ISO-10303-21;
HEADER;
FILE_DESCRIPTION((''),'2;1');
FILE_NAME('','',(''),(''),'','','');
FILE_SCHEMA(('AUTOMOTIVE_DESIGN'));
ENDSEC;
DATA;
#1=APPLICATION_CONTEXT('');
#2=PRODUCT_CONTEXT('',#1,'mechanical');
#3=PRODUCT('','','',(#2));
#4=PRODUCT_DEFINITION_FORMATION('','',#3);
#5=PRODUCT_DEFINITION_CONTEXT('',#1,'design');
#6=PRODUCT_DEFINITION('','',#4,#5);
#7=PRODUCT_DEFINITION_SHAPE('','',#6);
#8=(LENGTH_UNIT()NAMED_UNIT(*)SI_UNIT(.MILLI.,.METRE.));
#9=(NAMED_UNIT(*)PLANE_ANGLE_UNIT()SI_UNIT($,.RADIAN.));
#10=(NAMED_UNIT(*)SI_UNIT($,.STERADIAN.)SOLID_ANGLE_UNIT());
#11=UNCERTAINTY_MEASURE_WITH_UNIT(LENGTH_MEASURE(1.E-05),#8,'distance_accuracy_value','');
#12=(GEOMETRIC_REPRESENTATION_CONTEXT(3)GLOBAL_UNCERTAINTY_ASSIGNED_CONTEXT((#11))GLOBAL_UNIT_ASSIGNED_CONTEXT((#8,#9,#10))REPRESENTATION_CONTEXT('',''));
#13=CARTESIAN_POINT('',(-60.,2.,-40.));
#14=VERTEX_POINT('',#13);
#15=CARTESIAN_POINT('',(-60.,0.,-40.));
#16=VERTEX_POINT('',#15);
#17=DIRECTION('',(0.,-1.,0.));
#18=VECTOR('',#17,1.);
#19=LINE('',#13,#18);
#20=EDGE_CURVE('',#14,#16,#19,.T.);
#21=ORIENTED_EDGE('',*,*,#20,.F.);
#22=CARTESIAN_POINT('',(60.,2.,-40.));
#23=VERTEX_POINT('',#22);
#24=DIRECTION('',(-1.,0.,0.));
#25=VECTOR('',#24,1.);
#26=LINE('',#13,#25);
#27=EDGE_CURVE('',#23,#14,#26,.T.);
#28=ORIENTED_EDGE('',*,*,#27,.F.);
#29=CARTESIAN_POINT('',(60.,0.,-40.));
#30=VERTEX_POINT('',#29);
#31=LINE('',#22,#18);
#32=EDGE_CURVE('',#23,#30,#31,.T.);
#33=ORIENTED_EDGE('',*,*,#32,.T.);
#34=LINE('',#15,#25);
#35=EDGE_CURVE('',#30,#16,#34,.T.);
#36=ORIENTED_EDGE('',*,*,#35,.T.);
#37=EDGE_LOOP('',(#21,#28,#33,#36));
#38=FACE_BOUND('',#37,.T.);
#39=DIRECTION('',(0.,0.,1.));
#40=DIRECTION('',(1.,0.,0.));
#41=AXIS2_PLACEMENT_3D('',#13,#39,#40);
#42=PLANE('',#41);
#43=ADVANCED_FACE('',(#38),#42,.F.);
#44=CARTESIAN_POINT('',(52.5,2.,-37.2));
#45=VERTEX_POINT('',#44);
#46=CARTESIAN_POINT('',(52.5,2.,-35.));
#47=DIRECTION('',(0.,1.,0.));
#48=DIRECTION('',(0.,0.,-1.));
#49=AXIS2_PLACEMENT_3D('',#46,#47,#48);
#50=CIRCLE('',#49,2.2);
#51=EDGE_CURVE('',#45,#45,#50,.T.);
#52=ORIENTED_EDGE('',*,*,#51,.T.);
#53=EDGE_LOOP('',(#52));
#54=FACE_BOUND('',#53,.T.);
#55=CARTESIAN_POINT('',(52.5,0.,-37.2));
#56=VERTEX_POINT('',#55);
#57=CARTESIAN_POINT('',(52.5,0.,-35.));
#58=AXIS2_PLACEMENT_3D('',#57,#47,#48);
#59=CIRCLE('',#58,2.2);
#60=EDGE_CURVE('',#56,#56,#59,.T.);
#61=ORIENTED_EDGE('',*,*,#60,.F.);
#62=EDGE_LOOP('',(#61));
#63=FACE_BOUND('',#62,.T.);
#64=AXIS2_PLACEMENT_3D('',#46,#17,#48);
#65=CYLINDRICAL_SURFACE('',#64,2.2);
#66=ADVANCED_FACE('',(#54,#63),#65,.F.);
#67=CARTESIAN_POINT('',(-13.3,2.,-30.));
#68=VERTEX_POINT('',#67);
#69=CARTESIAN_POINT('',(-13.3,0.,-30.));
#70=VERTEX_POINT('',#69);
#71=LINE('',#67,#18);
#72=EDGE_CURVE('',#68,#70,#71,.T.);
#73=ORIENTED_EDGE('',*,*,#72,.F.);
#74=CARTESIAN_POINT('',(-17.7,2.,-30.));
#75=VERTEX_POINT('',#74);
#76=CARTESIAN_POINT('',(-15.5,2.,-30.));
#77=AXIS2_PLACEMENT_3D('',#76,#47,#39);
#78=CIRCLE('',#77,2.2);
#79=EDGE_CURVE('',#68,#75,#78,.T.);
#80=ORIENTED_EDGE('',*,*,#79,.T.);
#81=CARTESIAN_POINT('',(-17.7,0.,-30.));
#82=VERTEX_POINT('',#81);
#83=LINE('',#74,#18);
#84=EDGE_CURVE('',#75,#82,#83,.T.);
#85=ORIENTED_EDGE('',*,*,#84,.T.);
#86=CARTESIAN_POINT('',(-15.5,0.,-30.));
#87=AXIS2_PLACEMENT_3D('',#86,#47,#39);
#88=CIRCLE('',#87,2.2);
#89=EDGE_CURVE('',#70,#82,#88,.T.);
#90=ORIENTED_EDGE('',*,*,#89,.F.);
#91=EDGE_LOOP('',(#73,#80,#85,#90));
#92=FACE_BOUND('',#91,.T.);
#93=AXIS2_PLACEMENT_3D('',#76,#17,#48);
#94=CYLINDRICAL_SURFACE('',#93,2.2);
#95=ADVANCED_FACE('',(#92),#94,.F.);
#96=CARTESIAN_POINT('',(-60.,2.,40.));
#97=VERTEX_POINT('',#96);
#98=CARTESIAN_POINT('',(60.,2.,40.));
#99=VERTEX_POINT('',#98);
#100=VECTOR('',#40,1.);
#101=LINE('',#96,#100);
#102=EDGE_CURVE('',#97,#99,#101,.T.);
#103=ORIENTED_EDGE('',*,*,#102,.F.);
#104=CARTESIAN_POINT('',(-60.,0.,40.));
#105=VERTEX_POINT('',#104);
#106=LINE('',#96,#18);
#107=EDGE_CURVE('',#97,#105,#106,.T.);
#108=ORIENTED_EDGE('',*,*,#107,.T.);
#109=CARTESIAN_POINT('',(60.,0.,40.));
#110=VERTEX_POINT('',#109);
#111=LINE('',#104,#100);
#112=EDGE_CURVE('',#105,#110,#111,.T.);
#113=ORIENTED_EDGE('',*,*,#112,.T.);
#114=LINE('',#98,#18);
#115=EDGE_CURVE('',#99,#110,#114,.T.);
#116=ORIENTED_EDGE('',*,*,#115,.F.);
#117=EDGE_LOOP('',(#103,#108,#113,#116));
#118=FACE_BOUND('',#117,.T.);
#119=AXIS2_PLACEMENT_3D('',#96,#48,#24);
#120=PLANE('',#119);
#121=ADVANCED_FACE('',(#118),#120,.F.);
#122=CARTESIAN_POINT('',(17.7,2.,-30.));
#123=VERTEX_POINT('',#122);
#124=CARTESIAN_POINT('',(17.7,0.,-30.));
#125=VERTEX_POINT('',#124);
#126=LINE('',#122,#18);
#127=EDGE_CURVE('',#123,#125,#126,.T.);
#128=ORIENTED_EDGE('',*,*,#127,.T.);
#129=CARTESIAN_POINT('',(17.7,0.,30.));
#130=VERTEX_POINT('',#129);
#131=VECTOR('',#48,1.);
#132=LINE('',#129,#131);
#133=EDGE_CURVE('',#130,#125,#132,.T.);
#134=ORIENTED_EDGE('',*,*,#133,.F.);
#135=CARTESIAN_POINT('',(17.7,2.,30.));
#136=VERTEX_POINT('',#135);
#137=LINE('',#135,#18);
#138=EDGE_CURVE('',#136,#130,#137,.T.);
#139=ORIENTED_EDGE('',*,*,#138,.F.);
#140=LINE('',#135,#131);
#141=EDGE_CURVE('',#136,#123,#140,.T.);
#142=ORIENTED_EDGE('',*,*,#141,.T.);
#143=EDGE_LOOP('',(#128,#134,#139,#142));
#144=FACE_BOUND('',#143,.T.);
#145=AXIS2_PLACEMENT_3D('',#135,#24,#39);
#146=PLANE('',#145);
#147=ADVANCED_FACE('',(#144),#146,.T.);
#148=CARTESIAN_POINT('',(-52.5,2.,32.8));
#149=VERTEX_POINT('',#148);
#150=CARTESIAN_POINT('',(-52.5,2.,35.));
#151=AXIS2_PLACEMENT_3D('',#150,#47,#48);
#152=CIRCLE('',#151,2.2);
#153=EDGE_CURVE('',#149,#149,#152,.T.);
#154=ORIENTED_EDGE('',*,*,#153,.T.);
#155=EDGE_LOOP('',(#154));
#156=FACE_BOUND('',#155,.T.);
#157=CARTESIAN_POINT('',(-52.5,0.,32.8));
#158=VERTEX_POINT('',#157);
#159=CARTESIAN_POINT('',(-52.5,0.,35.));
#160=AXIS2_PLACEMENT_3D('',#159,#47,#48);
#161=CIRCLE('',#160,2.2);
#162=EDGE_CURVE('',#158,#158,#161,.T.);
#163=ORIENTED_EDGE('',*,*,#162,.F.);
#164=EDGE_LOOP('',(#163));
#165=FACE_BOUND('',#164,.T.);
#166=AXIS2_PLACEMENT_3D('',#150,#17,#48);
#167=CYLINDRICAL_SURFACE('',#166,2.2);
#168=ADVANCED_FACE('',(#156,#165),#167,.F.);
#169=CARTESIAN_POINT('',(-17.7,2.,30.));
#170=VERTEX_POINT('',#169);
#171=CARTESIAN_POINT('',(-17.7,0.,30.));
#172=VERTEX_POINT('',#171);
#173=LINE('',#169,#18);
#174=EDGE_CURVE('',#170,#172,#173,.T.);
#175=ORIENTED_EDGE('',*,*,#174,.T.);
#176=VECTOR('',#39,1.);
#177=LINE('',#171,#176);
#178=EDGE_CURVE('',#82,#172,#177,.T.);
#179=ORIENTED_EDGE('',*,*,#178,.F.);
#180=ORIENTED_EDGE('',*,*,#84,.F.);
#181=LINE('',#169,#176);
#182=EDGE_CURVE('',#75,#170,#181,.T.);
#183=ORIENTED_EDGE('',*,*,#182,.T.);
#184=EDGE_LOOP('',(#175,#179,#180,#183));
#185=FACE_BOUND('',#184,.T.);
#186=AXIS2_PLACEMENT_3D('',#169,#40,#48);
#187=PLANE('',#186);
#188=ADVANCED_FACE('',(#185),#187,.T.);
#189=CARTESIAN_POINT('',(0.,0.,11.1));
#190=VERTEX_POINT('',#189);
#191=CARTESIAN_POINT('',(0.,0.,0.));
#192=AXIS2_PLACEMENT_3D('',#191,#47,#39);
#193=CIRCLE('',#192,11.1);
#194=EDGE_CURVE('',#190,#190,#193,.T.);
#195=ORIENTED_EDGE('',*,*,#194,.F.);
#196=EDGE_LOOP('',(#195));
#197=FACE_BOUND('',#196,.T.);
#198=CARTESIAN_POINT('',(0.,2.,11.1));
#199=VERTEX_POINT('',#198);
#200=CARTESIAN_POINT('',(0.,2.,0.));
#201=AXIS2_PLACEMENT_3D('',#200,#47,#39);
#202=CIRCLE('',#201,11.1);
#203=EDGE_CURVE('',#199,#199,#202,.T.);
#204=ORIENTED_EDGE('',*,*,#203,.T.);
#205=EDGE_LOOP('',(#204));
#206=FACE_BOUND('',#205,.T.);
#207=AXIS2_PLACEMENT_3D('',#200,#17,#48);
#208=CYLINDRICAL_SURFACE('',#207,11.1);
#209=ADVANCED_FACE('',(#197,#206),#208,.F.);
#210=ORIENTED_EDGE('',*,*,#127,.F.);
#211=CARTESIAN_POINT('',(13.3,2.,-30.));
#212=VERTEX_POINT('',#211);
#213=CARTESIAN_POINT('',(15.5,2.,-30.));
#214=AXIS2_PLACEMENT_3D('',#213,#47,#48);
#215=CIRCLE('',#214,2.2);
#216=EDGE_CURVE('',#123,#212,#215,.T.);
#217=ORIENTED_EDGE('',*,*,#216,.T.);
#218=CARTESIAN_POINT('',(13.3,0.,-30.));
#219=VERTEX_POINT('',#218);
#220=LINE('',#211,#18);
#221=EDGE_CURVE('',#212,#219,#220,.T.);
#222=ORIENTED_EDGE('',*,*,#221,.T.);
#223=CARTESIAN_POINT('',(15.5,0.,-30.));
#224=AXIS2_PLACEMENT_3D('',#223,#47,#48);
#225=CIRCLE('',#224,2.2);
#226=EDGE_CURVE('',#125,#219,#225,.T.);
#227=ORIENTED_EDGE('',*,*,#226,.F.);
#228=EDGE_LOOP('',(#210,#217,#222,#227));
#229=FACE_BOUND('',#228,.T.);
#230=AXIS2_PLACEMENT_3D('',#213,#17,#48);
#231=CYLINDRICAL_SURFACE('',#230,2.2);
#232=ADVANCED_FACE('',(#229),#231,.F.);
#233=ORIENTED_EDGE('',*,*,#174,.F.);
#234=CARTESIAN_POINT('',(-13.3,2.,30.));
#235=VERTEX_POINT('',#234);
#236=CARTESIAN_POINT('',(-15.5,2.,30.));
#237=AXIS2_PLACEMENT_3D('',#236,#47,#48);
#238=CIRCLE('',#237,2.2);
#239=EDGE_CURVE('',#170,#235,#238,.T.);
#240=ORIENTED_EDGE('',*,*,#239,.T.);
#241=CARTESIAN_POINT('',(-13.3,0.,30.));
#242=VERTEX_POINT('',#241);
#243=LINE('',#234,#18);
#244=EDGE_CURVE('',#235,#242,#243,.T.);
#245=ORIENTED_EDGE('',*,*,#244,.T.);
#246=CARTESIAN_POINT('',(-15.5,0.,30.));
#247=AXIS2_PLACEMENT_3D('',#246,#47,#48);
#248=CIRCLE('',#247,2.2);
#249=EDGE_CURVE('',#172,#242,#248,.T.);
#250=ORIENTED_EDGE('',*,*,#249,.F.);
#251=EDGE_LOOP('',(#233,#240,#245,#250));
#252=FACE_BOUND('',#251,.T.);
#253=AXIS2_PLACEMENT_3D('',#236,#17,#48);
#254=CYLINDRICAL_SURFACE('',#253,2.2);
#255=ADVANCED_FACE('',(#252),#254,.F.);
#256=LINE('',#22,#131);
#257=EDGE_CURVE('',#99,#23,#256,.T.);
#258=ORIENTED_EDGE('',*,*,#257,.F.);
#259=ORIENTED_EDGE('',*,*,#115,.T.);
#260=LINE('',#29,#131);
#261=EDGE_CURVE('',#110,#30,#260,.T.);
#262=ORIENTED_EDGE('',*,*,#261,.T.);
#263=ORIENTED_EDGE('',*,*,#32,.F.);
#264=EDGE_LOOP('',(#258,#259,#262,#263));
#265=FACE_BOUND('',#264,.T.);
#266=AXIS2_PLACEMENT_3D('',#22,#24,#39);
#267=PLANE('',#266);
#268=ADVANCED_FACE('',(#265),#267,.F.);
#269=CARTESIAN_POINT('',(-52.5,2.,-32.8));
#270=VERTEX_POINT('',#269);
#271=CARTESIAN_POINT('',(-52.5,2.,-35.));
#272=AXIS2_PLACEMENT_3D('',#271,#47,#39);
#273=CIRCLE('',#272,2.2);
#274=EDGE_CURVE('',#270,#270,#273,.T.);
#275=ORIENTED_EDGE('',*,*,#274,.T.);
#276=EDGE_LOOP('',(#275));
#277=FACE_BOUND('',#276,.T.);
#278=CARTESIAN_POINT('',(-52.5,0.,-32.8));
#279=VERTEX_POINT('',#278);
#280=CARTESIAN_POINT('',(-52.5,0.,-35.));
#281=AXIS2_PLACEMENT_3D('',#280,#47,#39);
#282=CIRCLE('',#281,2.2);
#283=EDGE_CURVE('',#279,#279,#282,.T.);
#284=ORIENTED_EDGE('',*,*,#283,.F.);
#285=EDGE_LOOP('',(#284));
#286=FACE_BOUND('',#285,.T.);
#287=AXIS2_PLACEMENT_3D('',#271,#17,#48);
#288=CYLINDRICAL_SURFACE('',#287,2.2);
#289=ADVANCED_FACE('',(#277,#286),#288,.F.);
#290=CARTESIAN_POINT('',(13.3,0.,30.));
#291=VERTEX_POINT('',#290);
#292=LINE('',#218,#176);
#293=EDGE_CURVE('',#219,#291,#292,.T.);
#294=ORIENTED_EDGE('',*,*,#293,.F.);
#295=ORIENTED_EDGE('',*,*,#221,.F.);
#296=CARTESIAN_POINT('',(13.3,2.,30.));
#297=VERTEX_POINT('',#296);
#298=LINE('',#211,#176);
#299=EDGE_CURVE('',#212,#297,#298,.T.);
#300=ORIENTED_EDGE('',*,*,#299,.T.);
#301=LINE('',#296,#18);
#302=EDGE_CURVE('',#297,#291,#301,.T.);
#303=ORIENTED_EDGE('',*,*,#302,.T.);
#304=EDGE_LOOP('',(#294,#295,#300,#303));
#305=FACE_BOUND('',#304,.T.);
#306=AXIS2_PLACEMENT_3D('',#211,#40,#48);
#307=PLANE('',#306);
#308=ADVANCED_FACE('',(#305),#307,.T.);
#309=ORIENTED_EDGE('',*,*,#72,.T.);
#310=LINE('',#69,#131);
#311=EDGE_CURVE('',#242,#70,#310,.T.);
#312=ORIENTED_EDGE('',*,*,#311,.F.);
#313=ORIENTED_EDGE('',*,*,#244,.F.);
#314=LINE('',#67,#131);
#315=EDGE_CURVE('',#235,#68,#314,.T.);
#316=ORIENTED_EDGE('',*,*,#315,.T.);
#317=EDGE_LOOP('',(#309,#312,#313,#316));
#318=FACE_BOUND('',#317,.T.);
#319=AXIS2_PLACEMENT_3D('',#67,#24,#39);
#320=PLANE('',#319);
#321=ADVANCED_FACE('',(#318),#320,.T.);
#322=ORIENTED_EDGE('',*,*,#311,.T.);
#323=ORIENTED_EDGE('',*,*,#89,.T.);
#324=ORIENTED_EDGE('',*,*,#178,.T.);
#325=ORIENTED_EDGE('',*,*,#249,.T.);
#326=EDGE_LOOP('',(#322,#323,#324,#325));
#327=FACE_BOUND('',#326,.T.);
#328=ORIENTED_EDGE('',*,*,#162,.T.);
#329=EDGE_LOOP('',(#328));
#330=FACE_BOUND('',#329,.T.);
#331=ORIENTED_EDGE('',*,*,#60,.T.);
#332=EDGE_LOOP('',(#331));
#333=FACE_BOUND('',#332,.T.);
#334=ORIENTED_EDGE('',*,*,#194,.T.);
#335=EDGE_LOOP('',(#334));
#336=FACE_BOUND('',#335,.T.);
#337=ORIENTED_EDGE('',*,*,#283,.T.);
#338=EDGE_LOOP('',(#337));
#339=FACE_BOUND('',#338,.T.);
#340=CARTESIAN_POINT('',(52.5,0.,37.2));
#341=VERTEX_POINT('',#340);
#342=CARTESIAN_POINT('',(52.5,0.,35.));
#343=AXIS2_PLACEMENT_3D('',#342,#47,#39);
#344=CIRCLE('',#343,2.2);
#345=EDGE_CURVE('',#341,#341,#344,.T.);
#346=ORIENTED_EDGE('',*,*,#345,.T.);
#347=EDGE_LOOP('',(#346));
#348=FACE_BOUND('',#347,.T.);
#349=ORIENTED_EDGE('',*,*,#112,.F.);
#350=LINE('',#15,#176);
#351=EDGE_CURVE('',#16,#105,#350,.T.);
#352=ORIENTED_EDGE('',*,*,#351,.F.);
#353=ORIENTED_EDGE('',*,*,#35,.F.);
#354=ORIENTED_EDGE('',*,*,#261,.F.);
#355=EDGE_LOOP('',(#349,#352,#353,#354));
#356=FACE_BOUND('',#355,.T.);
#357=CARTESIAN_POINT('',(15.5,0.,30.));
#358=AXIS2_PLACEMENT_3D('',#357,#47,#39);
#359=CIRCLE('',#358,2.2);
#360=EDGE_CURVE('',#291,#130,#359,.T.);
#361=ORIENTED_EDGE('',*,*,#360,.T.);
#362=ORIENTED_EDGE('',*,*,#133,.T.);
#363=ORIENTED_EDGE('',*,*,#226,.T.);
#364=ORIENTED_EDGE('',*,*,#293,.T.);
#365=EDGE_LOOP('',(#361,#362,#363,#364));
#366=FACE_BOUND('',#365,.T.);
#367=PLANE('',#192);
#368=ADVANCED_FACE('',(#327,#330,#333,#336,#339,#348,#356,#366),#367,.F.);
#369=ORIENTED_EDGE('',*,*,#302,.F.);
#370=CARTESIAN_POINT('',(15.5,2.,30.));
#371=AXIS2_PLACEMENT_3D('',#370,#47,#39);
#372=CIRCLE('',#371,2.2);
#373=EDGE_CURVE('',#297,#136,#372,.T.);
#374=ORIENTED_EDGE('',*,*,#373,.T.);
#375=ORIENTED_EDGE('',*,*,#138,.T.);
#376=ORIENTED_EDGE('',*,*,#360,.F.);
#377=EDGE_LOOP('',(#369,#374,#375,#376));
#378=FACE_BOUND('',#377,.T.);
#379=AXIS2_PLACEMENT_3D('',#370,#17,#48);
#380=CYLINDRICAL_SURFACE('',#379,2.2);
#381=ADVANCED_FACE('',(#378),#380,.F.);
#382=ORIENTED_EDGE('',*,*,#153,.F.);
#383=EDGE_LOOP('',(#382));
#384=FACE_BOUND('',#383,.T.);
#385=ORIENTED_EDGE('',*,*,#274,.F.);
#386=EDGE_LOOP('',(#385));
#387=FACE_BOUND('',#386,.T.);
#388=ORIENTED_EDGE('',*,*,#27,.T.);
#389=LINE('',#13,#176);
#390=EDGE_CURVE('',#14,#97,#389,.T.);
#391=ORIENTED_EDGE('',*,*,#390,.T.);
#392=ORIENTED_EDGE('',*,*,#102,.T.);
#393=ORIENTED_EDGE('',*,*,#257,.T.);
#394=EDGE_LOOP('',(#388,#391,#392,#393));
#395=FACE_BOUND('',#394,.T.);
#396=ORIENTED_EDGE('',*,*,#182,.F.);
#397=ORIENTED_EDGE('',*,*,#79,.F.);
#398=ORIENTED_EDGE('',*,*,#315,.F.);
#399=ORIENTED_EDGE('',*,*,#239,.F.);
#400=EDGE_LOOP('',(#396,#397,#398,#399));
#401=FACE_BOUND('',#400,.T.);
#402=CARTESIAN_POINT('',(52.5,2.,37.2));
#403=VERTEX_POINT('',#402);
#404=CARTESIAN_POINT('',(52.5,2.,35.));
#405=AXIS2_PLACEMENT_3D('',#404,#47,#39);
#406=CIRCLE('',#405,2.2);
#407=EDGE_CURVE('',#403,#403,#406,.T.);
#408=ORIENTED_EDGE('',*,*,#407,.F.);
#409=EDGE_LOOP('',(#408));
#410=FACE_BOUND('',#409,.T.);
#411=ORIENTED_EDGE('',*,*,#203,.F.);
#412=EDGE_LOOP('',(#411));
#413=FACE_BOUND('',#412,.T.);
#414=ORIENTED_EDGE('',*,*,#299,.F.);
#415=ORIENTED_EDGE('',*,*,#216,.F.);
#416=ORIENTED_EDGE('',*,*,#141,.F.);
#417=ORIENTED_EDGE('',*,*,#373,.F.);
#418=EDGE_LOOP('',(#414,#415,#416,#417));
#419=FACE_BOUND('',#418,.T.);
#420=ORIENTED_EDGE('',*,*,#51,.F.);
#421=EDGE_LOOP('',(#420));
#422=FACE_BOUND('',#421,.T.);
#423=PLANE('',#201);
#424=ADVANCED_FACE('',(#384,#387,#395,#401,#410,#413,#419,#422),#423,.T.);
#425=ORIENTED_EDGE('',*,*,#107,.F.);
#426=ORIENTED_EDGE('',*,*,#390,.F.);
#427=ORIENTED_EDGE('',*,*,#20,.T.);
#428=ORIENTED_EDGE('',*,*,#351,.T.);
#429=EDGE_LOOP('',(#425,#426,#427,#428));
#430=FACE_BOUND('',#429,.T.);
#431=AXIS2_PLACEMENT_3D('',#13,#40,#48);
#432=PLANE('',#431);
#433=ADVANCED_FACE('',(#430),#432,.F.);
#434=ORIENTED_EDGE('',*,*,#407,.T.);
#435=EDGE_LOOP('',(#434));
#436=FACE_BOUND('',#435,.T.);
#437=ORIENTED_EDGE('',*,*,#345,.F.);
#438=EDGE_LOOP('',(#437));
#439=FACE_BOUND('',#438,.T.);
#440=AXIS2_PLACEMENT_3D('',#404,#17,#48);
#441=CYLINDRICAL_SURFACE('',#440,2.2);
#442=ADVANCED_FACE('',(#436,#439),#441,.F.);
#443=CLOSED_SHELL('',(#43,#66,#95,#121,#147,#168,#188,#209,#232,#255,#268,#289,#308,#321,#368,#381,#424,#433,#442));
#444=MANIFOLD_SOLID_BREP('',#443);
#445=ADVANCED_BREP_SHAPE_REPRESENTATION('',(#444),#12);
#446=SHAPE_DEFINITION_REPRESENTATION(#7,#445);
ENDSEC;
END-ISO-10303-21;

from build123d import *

# Parameters (mm, degrees)
SKETCH1_W           = 120
SKETCH1_H           = 80
SKETCH1_R           = 2.2
SKETCH1_R_2         = 11.1
BOSS_EXTRUDE1_DEPTH = 2


with BuildPart() as part:
    # Sketch1 → Boss-Extrude1 (new body)
    with BuildSketch(Plane(origin=(0, 0, 0), x_dir=(1, 0, 0), z_dir=(0, 1, 0))):
        Rectangle(SKETCH1_W, SKETCH1_H)
        with Locations(Location((-52.5, 35, 0), (0, 0, 270))):
            Circle(SKETCH1_R, mode=Mode.SUBTRACT)
        with Locations(Location((52.5, 35, 0), (0, 0, 90))):
            Circle(SKETCH1_R, mode=Mode.SUBTRACT)
        with Locations(Location((52.5, -35, 0), (0, 0, 270))):
            Circle(SKETCH1_R, mode=Mode.SUBTRACT)
        with Locations(Location((-52.5, -35, 0), (0, 0, 90))):
            Circle(SKETCH1_R, mode=Mode.SUBTRACT)
        with Locations(Location((0, 0, 0), (0, 0, 270))):
            Circle(SKETCH1_R_2, mode=Mode.SUBTRACT)
        with BuildLine():
            Line((-17.7, -30), (-17.7, 30))
            ThreePointArc((-17.7, 30), (-15.5, 32.2), (-13.3, 30))
            Line((-13.3, 30), (-13.3, -30))
            ThreePointArc((-13.3, -30), (-15.5, -32.2), (-17.7, -30))
        make_face(mode=Mode.SUBTRACT)
        with BuildLine():
            Line((13.3, 30), (13.3, -30))
            ThreePointArc((13.3, -30), (15.5, -32.2), (17.7, -30))
            Line((17.7, -30), (17.7, 30))
            ThreePointArc((17.7, 30), (15.5, 32.2), (13.3, 30))
        make_face(mode=Mode.SUBTRACT)
    extrude(amount=BOSS_EXTRUDE1_DEPTH)


solid = part.part
